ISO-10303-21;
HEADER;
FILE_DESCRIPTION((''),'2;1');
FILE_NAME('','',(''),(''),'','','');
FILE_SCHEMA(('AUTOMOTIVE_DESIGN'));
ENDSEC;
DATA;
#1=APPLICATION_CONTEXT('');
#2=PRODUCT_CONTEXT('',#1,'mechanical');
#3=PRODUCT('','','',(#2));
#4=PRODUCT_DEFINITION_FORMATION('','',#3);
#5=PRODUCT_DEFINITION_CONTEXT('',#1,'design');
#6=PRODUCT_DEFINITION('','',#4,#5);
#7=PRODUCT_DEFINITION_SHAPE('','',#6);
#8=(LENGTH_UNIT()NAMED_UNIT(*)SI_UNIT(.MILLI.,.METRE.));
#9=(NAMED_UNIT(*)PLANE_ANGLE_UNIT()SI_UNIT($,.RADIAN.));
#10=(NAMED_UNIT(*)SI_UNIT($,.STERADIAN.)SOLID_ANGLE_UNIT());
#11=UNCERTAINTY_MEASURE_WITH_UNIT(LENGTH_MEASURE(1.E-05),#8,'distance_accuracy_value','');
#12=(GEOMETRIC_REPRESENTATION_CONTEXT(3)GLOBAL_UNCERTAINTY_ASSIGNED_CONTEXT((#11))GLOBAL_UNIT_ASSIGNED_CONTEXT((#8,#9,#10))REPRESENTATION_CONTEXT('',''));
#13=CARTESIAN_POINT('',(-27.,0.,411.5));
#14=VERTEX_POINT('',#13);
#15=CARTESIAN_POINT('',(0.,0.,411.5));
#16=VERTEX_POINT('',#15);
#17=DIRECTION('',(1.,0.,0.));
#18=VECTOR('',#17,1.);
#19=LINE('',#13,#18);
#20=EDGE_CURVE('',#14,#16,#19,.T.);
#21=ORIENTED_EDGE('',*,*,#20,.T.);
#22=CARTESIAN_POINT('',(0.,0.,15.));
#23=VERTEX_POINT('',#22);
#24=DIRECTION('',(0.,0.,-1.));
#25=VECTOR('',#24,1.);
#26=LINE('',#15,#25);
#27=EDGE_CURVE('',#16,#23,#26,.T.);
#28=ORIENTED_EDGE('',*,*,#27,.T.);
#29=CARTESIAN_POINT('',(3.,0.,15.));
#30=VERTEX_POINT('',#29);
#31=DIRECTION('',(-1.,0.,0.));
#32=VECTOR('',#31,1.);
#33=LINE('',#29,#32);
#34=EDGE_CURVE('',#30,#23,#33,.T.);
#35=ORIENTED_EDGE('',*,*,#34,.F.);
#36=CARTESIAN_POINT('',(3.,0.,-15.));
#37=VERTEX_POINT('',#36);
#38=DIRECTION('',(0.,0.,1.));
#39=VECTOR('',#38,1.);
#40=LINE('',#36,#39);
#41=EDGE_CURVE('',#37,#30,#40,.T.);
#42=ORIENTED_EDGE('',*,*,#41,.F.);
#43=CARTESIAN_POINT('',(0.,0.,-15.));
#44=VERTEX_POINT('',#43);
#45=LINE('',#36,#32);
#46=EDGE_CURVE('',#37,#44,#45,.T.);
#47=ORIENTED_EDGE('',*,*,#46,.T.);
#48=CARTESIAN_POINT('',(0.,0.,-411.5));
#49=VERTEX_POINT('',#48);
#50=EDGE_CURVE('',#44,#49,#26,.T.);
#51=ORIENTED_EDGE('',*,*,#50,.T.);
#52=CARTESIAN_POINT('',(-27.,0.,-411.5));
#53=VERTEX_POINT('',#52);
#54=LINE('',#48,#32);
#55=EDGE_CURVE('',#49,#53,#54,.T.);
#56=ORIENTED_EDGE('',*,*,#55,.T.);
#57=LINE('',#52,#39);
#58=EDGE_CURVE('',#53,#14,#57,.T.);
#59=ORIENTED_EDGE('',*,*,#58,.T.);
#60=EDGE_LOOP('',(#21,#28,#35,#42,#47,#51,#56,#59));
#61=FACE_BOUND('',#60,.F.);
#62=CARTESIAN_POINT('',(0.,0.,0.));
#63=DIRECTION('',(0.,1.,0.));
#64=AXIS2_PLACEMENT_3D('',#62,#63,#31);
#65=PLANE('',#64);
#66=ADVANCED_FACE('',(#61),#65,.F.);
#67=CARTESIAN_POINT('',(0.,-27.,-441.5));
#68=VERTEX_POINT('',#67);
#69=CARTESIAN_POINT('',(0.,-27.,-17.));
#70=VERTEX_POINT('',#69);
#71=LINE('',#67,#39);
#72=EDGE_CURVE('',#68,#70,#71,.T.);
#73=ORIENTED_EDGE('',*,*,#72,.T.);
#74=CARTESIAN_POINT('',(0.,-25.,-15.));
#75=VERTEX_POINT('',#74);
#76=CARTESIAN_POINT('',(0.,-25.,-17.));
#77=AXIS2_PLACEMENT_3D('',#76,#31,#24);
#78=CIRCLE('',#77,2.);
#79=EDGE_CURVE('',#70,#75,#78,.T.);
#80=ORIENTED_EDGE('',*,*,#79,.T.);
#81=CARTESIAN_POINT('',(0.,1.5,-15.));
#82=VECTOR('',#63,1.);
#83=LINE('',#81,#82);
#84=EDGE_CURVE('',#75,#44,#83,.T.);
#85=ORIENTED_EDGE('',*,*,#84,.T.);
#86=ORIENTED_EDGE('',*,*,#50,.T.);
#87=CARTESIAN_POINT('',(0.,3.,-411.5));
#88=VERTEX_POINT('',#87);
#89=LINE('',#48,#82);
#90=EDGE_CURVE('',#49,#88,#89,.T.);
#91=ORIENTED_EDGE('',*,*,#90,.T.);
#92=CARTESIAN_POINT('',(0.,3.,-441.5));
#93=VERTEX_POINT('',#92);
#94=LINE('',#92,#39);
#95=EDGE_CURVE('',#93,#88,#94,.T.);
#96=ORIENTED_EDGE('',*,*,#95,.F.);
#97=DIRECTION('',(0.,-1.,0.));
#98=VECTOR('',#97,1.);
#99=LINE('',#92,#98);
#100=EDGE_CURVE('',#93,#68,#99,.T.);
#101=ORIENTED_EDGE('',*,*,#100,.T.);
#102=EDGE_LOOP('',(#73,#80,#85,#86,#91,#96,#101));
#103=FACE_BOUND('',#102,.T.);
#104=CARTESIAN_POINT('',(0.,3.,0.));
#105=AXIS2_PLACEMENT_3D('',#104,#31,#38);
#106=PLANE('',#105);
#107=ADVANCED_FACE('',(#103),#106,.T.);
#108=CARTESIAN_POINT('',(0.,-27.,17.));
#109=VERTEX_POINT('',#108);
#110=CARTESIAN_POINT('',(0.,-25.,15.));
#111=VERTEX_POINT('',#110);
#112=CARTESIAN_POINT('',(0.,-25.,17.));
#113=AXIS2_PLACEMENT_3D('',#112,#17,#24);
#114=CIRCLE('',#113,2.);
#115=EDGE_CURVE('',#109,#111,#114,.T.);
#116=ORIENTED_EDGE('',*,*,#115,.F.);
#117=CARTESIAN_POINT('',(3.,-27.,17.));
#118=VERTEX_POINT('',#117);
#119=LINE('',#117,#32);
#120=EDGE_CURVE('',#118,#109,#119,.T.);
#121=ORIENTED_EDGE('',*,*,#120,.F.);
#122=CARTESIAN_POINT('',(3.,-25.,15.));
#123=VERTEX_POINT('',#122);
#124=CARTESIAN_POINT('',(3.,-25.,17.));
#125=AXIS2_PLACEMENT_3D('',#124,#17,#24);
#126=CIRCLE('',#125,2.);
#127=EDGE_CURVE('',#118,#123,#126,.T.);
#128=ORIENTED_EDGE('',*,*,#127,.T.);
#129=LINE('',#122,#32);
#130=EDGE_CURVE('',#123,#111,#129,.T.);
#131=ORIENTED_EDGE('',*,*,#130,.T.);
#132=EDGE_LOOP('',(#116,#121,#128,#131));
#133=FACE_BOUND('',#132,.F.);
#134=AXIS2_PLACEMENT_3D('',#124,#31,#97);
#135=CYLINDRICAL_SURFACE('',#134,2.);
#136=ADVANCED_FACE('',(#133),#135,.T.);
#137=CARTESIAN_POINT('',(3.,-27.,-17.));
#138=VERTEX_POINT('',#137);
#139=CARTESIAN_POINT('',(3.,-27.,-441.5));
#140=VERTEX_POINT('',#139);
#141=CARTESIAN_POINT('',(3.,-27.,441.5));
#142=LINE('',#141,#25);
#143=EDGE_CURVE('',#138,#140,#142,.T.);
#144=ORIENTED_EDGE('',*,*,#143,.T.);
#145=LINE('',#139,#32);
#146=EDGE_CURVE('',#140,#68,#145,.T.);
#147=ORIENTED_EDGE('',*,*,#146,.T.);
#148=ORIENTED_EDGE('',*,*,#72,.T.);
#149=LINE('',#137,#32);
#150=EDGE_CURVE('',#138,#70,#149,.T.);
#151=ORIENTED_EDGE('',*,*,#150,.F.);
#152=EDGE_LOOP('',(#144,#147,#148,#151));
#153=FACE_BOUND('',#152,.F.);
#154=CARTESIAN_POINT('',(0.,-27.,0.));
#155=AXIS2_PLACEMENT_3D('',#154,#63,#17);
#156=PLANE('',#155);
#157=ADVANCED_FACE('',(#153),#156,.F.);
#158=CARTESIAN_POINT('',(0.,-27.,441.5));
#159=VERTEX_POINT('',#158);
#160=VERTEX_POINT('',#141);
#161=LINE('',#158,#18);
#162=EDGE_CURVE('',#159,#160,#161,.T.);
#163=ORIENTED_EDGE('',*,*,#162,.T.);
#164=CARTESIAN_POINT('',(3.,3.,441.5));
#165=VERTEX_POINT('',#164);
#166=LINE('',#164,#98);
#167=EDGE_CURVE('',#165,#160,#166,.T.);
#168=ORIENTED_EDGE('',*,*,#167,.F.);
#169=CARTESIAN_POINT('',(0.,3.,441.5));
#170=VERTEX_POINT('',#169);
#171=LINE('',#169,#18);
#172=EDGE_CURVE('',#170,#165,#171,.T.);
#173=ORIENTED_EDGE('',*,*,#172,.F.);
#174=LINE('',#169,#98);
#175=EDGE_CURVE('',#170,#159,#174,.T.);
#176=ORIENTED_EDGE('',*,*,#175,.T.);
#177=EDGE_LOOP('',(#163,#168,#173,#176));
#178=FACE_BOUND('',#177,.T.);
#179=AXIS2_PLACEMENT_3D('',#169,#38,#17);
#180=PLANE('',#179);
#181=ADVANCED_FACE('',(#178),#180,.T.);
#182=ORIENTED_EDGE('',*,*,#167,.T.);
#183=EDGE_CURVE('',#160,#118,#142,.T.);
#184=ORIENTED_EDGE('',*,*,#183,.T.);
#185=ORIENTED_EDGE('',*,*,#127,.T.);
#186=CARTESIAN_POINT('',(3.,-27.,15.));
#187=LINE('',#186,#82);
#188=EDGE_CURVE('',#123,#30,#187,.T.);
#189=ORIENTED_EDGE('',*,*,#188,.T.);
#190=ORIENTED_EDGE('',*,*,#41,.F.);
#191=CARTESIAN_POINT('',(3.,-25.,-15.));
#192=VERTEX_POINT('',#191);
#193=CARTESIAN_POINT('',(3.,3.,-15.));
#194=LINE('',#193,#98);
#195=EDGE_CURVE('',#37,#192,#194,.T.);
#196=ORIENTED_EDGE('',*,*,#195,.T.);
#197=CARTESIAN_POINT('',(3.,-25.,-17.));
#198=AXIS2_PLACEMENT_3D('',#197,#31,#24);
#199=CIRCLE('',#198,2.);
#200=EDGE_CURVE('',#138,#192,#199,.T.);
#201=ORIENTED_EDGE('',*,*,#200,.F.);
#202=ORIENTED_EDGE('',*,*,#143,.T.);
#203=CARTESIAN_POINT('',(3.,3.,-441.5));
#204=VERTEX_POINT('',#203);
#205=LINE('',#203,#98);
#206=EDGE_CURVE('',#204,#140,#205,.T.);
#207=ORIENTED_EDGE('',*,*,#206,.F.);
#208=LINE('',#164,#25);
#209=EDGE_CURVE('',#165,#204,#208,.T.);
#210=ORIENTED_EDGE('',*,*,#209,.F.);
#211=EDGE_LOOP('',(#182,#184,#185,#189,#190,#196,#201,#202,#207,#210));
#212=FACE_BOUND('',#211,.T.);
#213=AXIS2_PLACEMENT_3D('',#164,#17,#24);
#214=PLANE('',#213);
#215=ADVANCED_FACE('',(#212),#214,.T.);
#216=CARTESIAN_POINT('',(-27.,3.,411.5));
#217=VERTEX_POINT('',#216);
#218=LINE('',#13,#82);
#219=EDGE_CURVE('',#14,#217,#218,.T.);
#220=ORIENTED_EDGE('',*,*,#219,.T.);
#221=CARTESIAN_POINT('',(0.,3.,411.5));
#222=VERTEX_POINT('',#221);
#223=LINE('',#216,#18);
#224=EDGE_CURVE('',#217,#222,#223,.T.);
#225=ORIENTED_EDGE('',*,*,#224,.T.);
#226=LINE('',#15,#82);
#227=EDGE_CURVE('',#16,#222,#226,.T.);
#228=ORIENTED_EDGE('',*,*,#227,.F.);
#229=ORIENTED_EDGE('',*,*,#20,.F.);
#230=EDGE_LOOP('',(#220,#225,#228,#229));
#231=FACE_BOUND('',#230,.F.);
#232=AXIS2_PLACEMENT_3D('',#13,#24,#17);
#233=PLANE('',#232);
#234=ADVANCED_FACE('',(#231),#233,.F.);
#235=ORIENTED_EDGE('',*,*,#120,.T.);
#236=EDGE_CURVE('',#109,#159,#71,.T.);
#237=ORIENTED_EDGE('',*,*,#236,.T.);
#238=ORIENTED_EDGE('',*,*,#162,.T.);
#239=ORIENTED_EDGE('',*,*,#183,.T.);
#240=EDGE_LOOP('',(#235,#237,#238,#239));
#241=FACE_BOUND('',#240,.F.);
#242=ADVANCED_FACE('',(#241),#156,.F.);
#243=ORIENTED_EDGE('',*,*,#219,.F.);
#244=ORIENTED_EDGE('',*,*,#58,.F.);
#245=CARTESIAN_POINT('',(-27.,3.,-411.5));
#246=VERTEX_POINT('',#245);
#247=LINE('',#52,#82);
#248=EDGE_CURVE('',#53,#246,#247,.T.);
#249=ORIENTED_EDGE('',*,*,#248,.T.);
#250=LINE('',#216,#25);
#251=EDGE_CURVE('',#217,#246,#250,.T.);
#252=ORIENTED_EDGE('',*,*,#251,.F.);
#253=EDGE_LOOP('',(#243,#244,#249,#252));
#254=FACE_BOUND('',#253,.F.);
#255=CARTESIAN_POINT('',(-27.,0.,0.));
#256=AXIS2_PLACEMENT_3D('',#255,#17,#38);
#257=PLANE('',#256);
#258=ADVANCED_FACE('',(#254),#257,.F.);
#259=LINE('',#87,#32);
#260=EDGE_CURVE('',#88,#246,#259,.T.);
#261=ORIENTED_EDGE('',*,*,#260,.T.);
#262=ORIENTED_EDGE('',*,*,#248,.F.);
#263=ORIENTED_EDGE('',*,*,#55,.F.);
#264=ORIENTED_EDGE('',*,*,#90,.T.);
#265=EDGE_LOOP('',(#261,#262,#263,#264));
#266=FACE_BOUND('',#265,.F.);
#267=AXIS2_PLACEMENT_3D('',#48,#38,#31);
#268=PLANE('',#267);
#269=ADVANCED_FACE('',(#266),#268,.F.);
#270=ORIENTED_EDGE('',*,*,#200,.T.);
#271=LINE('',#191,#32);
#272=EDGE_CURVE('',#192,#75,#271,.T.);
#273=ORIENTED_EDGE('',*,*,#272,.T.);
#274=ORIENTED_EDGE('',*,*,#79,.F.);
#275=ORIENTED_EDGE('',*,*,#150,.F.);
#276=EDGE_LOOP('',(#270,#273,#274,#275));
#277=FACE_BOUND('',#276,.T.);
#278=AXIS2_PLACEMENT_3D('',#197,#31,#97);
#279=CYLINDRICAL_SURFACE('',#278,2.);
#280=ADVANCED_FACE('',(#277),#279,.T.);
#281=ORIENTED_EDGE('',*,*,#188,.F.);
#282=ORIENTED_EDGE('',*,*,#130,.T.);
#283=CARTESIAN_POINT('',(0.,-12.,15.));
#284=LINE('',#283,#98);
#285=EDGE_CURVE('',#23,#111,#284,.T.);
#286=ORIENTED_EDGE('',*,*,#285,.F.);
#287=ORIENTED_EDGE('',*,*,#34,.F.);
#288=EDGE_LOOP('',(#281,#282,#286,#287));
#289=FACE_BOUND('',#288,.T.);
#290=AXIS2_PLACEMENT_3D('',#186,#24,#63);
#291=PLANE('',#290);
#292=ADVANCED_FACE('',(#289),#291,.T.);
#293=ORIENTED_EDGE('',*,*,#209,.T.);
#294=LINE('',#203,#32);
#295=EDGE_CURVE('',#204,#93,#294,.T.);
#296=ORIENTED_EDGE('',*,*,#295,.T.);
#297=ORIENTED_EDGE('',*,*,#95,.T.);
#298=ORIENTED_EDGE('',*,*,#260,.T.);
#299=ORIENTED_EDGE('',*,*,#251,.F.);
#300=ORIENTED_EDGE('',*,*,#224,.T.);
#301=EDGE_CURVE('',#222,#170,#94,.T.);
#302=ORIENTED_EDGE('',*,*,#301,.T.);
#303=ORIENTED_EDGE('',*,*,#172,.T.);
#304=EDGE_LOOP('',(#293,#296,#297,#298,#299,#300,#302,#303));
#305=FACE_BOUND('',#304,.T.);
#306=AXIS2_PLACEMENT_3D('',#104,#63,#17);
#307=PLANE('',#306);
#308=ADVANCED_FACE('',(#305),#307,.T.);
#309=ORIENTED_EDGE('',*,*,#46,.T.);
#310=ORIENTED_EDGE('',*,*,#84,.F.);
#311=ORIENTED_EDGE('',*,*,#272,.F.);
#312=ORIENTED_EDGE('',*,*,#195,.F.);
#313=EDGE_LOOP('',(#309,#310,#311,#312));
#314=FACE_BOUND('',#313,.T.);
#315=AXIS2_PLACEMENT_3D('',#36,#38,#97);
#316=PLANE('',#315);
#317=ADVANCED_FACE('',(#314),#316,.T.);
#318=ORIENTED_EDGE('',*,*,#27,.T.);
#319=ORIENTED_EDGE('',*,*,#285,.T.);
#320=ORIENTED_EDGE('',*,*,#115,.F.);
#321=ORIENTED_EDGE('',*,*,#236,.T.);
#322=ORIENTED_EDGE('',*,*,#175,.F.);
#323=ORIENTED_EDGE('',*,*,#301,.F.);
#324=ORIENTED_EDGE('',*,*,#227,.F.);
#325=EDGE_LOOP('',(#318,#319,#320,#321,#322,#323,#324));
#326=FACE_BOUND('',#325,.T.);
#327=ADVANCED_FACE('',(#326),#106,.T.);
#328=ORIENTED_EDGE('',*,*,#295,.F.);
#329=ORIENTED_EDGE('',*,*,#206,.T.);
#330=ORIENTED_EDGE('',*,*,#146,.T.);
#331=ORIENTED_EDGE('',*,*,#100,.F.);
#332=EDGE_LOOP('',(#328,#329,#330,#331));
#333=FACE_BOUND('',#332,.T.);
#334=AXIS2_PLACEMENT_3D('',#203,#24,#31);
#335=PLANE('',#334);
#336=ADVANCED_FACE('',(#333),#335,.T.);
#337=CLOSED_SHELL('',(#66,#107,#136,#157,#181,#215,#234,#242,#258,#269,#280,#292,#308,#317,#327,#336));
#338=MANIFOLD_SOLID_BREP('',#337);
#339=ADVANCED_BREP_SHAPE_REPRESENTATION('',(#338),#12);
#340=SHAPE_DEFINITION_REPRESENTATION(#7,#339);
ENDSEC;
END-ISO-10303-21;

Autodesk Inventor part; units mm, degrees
ref_plane "YZ Plane" through (0, 0, 0) normal (1, 0, 0) x (0, 1, 0)
ref_plane "XZ Plane" through (0, 0, 0) normal (0, 1, 0) x (-1, 0, 0)
ref_plane "XY Plane" through (0, 0, 0) normal (0, 0, 1) x (1, 0, 0)
sketch "Boceto1" plane through (0, 0, 0) normal (0, 1, 0) x (-1, 0, 0)
  line L0 (27, 411.5) -> (0, 411.5)
  line L1 (0, 411.5) -> (0, -411.5)
  line L2 (0, -411.5) -> (27, -411.5)
  line L3 (27, -411.5) -> (27, 411.5)
  line L4 (0, 0) -> (280.3389, 0)
  dimension "d0" = 823
  dimension "d1" = 27
extrude "Extrusión1" add sketch "Boceto1" along normal blind 3
sketch "Boceto2" plane through (0, 3, 0) normal (0, 1, 0) x (1, 0, 0)
  line L0 (0, -441.5) -> (3, -441.5)
  line L1 (3, -441.5) -> (3, 441.5)
  line L2 (3, 441.5) -> (0, 441.5)
  line L3 (0, 441.5) -> (0, -441.5)
  line L4 (0, 0) -> (-318.7817, 0)
  point P0 (0, -411.5)
  dimension "d4" = 883
  dimension "d5" = 3
extrude "Extrusión2" add sketch "Boceto2" against normal blind 30
sketch "Boceto3" plane through (3, 3, 441.5) normal (1, 0, 0) x (0, 0, -1)
  line L0 (883, -30) -> (0, -30) projected
  line L1 (441.5, -30) -> (441.5, 0)
  line L2 (853, 0) -> (30, 0) projected
  line L3 (456.5, -30) -> (426.5, -30)
  line L4 (426.5, -30) -> (426.5, 0)
  line L5 (426.5, 0) -> (456.5, 0)
  line L6 (456.5, 0) -> (456.5, -30)
  line L7 (0, 0) -> (883, 0) projected
  line L8 (30, -3) -> (853, -3) projected
  point P0 (441.5, -3)
  point P1 (456.5, -3)
  point P2 (426.5, -3)
  dimension "d8" = 30
extrude "Extrusión3" cut sketch "Boceto3" against normal blind 10 contours L0 L1 L8 L6 | L0 L4 L8 L1
fillet "Empalme1" radius 2 2 edges at (1.5, -27, 15) (1.5, -27, -15)
properties part number "A_3030_INT"
